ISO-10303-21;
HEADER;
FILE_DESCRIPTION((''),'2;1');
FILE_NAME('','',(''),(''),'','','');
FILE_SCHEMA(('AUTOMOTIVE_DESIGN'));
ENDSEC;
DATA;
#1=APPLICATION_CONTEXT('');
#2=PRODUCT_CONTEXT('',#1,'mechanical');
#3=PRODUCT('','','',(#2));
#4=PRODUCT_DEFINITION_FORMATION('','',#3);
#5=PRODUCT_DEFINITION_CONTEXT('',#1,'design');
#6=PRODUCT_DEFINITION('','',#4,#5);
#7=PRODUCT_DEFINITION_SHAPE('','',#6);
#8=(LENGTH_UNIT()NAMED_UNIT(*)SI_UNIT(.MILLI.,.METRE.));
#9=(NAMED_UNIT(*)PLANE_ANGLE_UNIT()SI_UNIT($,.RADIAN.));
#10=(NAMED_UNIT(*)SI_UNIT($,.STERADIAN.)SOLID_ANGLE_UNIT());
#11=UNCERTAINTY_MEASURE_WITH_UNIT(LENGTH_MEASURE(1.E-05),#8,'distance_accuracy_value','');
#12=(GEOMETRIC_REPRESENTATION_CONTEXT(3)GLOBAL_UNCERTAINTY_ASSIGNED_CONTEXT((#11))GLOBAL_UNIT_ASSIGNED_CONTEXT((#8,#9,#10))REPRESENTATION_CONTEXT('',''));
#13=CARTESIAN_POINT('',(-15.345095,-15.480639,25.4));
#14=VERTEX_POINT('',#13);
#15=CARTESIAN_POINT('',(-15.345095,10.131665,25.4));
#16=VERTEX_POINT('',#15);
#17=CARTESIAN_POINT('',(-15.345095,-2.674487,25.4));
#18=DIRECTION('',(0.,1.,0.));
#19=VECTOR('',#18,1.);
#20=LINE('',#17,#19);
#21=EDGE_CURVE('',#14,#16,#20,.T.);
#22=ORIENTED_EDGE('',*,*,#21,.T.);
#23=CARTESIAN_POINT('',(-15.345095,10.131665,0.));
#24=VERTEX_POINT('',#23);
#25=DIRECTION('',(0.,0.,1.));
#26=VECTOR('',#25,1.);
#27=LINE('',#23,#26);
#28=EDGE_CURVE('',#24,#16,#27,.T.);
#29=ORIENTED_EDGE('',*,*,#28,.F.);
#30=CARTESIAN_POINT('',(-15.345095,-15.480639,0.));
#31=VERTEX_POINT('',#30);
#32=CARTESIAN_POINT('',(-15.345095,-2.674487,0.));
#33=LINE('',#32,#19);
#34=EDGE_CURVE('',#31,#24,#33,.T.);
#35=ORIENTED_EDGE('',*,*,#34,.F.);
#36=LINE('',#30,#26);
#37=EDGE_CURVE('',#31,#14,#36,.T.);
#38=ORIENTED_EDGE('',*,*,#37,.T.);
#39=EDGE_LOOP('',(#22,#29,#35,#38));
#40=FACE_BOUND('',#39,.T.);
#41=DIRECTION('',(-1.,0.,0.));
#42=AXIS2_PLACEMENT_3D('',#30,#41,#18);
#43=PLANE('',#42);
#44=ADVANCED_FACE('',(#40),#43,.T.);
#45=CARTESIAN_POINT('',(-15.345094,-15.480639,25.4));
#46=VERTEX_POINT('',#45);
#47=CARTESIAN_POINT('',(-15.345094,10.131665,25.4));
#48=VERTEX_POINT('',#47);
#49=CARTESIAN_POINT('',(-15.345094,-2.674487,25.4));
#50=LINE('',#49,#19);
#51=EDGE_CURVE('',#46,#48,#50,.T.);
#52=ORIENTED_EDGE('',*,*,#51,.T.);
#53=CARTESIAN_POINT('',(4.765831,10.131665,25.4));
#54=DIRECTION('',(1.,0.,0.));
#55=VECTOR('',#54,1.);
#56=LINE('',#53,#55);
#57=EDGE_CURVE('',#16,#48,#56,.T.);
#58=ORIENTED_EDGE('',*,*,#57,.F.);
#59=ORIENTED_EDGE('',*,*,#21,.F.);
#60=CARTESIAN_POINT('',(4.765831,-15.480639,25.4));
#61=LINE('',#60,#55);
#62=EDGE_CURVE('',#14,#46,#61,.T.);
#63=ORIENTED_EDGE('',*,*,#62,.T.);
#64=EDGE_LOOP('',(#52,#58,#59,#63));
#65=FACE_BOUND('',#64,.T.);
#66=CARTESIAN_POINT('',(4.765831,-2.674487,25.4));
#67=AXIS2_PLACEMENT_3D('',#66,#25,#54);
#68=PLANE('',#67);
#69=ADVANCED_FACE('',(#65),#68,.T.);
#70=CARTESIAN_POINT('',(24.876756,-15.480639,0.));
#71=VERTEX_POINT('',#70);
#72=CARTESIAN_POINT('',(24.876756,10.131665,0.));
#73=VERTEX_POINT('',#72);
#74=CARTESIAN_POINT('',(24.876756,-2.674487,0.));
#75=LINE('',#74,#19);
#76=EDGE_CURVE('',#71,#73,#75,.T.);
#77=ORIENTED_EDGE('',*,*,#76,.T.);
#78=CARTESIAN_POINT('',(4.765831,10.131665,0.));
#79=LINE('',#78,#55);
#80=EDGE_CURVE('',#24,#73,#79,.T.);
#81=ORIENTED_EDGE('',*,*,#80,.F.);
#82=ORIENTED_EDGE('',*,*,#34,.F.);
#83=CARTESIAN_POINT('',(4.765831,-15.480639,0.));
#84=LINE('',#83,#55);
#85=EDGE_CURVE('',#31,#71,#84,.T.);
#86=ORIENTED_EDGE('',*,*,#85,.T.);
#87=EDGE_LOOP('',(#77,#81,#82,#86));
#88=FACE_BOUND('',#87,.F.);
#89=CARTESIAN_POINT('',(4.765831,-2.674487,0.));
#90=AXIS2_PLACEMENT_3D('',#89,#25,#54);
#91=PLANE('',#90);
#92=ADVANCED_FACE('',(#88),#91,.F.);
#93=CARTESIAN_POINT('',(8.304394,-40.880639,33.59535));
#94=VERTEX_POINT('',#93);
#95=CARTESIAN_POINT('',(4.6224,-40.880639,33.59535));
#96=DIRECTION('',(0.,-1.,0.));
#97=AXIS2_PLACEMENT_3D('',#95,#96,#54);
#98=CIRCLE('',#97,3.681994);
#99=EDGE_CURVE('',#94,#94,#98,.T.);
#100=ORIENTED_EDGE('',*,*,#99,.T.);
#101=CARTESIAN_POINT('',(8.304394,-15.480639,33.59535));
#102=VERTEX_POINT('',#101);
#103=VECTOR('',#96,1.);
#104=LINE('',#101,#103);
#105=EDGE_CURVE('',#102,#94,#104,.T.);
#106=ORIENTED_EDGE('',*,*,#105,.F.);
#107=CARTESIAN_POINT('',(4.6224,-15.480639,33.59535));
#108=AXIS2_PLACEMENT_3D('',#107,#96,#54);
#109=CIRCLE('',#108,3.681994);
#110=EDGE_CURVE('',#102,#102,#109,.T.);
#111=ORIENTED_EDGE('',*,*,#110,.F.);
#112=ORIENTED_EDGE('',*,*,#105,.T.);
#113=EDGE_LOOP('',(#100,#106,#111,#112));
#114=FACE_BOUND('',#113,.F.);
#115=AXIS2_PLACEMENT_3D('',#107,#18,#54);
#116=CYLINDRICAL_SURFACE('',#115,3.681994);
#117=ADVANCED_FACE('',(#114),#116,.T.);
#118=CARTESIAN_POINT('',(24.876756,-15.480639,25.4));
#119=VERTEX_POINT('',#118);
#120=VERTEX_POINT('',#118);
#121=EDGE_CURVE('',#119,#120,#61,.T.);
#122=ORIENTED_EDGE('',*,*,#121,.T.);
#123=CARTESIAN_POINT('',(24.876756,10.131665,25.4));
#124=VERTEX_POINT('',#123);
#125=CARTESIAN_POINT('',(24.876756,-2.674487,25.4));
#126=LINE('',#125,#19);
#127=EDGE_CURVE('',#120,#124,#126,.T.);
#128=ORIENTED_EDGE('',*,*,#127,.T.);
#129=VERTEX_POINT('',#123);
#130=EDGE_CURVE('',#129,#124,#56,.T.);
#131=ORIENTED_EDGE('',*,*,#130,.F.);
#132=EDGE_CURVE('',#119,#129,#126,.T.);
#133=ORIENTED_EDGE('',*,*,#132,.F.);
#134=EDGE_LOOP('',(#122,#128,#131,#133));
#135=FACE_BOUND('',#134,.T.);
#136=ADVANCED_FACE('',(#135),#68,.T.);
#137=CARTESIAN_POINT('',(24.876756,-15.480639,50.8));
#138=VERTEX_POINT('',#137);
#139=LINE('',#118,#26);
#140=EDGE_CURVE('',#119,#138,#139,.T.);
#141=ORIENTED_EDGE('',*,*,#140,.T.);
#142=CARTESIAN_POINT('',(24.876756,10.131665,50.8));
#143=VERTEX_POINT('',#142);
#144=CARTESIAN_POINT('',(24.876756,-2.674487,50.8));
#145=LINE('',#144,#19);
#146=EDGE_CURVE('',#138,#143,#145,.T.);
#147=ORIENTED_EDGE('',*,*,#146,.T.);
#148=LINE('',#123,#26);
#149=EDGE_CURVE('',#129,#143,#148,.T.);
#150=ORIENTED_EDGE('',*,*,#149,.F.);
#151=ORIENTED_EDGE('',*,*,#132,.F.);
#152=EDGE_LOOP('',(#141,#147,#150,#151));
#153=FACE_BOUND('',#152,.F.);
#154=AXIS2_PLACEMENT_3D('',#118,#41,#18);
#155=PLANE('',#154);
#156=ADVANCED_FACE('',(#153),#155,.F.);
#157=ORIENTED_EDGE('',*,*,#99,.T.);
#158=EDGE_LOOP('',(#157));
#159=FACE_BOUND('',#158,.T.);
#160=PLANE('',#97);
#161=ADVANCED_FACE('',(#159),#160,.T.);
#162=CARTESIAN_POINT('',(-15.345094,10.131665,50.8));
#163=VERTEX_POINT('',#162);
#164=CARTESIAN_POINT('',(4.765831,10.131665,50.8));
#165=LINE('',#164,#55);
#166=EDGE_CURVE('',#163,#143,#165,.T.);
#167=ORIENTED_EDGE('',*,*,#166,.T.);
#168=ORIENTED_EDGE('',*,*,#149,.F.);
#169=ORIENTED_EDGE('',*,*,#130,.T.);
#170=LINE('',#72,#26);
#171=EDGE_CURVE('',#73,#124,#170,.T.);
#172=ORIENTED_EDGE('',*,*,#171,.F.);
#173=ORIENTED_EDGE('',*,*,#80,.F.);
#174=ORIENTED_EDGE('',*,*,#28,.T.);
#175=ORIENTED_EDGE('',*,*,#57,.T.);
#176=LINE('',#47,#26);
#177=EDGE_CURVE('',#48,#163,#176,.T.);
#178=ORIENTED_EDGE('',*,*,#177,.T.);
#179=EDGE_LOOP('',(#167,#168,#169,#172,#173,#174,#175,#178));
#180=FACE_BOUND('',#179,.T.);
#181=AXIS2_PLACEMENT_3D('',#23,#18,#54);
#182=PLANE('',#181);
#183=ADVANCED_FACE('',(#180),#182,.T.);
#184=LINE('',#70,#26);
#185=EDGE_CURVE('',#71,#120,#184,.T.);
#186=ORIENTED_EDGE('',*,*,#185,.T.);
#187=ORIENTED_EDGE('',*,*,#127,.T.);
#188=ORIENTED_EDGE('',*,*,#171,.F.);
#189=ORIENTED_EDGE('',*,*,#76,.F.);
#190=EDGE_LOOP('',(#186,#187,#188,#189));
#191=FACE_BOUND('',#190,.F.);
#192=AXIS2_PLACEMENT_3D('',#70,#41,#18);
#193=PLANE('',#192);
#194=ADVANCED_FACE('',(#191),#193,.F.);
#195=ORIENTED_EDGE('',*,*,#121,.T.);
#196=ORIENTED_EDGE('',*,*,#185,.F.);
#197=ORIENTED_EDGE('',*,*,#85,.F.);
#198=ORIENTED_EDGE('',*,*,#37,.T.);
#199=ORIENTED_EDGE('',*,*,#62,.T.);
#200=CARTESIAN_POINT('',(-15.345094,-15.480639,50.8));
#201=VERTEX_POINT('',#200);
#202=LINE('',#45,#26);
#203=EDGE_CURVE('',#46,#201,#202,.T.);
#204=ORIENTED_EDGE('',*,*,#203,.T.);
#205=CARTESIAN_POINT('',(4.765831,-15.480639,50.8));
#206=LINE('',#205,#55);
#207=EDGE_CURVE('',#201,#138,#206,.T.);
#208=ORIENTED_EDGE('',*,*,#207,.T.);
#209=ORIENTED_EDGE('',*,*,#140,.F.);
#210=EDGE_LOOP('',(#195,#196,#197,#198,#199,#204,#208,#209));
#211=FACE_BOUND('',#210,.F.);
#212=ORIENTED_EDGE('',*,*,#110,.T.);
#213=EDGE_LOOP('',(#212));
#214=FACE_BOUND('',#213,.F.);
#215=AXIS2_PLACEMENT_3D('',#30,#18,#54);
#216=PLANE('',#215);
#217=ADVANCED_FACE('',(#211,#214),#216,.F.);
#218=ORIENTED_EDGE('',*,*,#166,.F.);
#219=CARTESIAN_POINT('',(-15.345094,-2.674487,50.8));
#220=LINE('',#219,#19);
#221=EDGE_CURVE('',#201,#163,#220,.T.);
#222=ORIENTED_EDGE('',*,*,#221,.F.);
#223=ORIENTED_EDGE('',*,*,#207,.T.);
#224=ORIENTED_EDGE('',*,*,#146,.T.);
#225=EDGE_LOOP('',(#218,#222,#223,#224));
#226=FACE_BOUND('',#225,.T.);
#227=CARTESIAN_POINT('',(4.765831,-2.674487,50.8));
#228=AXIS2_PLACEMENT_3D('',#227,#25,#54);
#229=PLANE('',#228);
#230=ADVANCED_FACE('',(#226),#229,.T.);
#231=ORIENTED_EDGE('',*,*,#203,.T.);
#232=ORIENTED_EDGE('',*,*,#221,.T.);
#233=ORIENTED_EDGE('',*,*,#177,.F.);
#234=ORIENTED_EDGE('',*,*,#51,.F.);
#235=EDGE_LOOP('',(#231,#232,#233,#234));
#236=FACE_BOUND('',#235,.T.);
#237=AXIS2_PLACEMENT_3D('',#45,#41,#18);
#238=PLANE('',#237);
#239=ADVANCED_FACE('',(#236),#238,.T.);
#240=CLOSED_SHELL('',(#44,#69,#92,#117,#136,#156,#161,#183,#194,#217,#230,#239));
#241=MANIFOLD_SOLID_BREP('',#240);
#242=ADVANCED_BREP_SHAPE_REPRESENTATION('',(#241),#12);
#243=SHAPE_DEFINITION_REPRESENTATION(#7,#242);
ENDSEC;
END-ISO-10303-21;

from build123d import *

# Parameters (mm, degrees)
F0_W      = 40.221851
F0_H      = 25.612304
F1_DEPTH  = 25.4
F1_FACE_W = 40.22185
F1_FACE_H = 25.612304
F2_DEPTH  = 25.4
F3_R      = 3.681994
F4_DEPTH  = 25.4


with BuildPart() as f1:
    # F0 (on Top) → F1 (new body)
    with BuildSketch(Plane.XY):
        with Locations((4.765831, -2.674487)):
            Rectangle(F0_W, F0_H)
    extrude(amount=F1_DEPTH)

    # F1_face (on face) → F2 (join)
    with BuildSketch(Plane(origin=(4.765831, -2.674487, 25.4), x_dir=(1, 0, 0), z_dir=(0, 0, 1))):
        Rectangle(F1_FACE_W, F1_FACE_H)
    extrude(amount=F2_DEPTH)

    # F3 (on face) → F4 (join)
    with BuildSketch(Plane.XZ.offset(15.480639)):
        with Locations((4.6224, 33.59535)):
            Circle(F3_R)
    extrude(amount=F4_DEPTH)


solid = f1.part
